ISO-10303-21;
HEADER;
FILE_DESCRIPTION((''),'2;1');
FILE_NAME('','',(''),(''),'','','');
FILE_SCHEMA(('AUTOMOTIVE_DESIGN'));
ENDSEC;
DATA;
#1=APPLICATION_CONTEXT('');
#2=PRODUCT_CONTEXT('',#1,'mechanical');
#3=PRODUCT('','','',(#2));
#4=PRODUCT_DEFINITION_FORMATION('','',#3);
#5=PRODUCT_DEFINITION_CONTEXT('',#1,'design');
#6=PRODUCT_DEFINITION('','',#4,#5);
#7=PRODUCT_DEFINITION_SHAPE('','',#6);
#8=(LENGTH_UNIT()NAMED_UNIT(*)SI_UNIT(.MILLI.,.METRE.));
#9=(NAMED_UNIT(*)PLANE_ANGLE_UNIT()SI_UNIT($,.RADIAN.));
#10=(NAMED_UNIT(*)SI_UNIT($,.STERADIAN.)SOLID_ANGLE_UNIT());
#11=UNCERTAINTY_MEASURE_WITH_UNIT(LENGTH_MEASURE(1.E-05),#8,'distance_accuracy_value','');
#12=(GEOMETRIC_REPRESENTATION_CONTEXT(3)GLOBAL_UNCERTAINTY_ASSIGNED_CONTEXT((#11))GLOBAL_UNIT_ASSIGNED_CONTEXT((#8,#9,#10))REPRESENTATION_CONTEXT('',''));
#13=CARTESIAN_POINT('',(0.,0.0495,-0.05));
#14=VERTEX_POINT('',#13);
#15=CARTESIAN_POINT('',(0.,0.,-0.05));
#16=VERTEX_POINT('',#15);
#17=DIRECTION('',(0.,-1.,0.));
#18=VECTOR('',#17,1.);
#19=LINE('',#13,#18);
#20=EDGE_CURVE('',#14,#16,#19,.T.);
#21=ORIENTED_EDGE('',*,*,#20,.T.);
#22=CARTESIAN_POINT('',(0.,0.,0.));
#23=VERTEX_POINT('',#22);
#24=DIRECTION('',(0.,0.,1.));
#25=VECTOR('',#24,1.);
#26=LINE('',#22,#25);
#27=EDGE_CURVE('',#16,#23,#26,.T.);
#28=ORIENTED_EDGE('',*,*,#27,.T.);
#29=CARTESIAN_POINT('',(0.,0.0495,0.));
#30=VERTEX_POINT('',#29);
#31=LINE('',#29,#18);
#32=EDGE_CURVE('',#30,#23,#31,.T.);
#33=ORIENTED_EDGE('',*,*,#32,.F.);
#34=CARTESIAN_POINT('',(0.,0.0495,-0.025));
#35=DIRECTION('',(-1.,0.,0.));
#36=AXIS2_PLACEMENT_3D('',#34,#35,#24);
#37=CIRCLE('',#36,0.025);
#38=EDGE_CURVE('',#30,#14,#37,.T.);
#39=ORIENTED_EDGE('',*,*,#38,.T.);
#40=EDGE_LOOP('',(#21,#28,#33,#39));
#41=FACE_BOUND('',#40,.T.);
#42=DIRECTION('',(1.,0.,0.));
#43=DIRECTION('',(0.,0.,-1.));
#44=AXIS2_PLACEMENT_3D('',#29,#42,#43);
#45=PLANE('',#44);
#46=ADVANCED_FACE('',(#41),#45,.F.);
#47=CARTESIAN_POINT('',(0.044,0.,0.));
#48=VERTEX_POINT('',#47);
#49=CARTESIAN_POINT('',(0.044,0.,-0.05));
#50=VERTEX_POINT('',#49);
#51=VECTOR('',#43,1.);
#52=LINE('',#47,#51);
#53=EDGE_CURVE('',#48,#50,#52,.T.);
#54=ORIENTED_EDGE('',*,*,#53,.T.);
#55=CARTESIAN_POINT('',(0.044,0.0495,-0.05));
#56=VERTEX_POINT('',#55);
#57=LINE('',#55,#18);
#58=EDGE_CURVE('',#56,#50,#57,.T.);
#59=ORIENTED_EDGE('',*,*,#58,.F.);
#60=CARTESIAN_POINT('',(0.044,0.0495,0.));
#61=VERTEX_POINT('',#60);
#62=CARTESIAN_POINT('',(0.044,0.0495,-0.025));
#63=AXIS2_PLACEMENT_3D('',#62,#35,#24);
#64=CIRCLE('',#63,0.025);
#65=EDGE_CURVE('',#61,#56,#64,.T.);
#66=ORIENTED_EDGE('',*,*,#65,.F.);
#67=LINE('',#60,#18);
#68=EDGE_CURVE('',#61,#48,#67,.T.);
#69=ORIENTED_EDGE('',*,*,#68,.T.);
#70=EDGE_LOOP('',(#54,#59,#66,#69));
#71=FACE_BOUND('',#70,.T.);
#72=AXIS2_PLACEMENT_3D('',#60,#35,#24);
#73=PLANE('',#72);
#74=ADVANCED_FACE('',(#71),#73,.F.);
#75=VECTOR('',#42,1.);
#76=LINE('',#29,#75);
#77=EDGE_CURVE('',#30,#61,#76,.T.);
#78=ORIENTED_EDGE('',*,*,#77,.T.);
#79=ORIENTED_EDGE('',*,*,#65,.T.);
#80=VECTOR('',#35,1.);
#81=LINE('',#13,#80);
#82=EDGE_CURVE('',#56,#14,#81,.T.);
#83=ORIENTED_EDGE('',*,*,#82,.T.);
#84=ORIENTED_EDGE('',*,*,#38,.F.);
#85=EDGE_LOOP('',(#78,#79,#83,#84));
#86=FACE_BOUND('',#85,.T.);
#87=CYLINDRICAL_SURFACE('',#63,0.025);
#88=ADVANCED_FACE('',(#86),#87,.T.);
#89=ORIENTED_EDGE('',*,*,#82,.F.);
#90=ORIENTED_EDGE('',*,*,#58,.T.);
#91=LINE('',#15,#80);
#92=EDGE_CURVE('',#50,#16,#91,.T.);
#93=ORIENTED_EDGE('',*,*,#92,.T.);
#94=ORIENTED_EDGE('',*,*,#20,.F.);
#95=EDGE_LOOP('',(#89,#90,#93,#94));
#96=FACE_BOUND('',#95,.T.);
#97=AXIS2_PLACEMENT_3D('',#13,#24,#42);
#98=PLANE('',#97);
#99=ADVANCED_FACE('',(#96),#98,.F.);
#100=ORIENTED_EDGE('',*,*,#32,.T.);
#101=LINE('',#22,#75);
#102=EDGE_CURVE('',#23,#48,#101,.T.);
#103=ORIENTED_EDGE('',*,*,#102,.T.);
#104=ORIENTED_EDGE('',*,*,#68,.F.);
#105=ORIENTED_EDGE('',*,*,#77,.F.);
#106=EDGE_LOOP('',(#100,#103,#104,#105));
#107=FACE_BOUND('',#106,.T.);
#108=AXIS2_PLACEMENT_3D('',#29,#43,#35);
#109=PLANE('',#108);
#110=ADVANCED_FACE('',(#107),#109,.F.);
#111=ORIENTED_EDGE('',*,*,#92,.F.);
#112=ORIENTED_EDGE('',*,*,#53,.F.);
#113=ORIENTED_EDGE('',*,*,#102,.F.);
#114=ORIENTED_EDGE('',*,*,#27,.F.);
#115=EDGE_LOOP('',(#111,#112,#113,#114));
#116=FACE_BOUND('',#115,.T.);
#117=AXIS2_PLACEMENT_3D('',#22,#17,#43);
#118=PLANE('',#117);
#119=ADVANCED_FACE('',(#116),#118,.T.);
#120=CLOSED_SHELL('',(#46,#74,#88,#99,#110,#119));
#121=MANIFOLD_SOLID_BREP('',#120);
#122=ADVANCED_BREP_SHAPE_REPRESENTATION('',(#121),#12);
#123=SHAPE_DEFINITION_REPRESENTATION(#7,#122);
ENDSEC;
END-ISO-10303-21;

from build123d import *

# Parameters (mm, degrees)
SKETCH1_W           = 0.044
SKETCH1_H           = 0.05
BOSS_EXTRUDE1_DEPTH = 0.0495
SKETCH3_R           = 0.025
BOSS_EXTRUDE2_DEPTH = 0.044


with BuildPart() as part:
    # Sketch1 → Boss-Extrude1 (new body)
    with BuildSketch(Plane(origin=(0, 0, 0), x_dir=(1, 0, 0), z_dir=(0, 1, 0))):
        with Locations((0.022, 0.025)):
            Rectangle(SKETCH1_W, SKETCH1_H)
    extrude(amount=BOSS_EXTRUDE1_DEPTH)

    # Sketch3 → Boss-Extrude2 (add)
    with BuildSketch(Plane.ZY):
        with Locations((-0.025, 0.0495)):
            Circle(SKETCH3_R)
    extrude(amount=-BOSS_EXTRUDE2_DEPTH)


solid = part.part
